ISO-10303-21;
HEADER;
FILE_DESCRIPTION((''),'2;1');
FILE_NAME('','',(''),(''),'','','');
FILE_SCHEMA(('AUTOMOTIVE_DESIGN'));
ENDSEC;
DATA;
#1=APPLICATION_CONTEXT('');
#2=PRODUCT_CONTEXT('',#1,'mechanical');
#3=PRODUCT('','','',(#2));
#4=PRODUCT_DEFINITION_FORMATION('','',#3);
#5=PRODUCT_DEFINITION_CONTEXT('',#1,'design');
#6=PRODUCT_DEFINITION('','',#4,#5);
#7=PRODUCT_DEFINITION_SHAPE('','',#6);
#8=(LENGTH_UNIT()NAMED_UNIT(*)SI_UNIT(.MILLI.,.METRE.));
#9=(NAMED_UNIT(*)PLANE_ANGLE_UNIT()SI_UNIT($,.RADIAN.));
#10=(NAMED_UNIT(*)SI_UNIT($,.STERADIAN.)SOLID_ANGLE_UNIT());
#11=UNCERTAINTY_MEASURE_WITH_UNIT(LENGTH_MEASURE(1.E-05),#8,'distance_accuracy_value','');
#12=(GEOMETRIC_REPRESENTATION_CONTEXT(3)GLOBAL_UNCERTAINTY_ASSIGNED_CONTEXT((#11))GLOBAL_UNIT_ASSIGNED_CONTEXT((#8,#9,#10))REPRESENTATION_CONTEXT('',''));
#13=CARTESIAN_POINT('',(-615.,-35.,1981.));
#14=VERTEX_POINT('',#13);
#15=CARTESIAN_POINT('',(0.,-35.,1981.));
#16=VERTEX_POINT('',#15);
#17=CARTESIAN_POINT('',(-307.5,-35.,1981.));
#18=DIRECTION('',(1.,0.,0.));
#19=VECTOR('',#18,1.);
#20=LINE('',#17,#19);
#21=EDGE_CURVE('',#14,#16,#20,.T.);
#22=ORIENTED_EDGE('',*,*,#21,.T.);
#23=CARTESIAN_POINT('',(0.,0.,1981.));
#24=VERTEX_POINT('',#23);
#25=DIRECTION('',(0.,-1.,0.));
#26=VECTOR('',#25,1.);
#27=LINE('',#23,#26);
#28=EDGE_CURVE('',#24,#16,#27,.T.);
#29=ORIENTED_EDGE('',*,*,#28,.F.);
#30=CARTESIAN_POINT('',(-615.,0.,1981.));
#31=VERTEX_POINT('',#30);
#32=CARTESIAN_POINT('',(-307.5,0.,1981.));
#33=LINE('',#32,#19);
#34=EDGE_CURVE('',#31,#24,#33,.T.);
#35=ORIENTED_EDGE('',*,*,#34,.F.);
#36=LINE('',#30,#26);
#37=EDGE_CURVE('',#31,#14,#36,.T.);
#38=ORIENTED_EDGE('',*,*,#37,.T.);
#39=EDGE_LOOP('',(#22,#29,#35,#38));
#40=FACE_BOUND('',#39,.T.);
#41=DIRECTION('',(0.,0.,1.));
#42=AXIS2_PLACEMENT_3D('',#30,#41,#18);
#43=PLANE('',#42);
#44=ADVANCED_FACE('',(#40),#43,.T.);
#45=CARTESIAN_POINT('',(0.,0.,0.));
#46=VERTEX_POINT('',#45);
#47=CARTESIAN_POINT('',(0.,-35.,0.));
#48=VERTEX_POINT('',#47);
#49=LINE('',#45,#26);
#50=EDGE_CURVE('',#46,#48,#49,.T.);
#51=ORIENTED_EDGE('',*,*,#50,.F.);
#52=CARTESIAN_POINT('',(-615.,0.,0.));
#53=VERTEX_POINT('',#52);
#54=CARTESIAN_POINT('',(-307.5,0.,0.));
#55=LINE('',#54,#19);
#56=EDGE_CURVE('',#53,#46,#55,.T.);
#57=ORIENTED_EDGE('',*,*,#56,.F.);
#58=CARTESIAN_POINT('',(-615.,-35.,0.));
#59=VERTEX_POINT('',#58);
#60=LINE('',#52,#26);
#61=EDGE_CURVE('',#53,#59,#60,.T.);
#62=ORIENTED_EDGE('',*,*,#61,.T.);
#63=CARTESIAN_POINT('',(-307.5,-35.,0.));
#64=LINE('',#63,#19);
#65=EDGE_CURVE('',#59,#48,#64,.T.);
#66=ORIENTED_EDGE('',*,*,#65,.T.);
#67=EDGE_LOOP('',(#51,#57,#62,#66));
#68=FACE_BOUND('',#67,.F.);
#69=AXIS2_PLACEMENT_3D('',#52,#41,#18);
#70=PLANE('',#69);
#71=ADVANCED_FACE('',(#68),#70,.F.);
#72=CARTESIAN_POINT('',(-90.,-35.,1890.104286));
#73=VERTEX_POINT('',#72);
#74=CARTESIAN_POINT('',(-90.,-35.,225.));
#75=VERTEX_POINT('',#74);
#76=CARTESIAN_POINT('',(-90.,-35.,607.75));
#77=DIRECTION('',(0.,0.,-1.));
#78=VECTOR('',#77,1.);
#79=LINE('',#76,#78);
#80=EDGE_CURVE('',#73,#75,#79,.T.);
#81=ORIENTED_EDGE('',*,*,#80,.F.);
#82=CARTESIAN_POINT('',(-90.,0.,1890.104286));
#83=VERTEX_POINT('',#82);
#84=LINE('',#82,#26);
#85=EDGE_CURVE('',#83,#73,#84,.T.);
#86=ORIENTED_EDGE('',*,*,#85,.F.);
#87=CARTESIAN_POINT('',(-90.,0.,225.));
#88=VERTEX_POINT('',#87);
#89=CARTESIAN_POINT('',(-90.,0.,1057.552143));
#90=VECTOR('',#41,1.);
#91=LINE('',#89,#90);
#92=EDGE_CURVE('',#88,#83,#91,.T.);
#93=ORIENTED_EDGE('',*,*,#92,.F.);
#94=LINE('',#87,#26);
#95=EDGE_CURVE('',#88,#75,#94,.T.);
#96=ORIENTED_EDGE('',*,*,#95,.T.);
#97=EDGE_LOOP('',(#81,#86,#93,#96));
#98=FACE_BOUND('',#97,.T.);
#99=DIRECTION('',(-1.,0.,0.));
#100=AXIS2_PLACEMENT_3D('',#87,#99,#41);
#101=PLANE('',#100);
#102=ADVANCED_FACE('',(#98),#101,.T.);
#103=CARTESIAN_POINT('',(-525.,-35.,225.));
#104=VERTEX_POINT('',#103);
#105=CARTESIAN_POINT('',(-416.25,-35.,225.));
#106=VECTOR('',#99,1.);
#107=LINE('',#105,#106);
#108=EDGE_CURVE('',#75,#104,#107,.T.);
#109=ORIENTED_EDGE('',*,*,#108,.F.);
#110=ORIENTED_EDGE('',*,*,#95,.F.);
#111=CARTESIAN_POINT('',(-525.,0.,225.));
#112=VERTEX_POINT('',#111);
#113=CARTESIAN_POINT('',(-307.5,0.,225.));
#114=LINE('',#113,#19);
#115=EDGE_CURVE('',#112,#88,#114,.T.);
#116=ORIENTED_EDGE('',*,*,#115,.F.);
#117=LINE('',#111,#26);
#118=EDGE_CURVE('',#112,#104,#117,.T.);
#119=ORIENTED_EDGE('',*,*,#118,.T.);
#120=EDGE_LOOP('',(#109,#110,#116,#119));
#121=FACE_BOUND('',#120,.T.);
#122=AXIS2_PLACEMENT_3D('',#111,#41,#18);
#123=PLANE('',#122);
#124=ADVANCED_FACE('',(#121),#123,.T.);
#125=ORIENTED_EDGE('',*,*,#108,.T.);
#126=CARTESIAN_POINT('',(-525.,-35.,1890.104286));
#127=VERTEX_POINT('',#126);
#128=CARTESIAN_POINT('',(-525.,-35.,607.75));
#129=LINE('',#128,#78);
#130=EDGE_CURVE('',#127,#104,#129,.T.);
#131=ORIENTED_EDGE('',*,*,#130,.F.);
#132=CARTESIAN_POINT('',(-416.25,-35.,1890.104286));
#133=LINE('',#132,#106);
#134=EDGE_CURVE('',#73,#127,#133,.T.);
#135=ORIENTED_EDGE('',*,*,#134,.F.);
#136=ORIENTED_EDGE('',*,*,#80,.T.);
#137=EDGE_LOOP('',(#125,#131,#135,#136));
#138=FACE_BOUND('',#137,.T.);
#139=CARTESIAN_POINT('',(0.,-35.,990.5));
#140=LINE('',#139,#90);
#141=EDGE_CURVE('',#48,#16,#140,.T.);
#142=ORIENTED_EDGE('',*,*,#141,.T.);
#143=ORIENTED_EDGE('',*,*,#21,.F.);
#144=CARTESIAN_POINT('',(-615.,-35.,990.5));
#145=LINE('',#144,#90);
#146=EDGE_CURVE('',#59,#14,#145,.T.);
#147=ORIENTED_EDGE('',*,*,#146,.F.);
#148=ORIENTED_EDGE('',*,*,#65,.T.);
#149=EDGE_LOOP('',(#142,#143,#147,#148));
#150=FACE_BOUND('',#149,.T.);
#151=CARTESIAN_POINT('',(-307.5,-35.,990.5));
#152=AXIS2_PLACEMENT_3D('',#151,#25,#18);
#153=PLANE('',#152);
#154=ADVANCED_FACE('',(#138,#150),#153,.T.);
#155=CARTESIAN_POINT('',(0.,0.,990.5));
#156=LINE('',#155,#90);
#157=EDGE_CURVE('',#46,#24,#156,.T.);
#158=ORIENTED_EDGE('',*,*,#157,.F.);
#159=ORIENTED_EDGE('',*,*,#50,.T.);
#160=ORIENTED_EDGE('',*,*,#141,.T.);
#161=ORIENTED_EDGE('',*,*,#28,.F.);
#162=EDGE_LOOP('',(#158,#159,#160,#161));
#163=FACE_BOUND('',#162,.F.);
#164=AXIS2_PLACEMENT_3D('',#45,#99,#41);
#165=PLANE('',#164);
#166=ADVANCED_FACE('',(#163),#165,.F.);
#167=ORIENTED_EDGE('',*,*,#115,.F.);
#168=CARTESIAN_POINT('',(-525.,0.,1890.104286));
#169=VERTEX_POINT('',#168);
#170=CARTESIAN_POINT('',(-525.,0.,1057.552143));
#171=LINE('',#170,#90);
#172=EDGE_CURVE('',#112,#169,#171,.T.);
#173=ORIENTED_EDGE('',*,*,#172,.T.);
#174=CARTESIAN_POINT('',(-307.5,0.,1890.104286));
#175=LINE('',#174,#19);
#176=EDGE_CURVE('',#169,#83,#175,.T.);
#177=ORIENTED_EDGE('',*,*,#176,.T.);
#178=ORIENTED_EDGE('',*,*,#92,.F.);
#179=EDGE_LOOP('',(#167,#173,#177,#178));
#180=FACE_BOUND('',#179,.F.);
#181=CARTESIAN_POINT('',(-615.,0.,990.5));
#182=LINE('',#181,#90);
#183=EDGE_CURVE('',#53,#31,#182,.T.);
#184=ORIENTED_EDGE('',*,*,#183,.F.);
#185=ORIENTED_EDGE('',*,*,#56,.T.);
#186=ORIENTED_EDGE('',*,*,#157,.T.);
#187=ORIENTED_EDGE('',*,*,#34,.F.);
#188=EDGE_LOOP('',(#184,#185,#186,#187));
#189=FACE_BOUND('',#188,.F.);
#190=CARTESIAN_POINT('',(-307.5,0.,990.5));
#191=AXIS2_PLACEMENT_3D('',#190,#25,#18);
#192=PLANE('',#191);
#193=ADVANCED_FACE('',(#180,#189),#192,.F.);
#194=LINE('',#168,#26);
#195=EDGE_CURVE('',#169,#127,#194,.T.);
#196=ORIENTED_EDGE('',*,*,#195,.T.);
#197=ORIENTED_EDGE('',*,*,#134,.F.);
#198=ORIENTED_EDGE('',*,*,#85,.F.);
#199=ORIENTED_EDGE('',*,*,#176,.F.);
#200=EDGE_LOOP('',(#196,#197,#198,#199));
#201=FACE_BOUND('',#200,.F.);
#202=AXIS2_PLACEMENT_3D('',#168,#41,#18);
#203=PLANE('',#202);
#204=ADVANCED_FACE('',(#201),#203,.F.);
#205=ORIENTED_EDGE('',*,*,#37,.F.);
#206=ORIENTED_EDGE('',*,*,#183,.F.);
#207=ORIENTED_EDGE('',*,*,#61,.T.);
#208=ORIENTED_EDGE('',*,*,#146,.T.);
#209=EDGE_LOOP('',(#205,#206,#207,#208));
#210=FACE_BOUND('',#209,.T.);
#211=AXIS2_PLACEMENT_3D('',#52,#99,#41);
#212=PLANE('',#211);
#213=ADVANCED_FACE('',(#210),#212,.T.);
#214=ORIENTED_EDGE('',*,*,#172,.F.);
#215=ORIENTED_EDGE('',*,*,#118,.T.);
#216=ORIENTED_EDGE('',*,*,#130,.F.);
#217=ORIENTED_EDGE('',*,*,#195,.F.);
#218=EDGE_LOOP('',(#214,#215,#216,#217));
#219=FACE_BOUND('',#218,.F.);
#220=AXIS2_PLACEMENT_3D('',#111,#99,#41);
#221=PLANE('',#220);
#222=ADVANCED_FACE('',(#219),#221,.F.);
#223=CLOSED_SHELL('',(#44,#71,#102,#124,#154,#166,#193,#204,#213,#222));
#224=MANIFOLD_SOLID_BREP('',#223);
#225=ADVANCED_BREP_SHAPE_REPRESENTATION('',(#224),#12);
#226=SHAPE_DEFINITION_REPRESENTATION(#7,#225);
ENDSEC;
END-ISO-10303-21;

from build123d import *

# Parameters (mm, degrees)
F0_W     = 615
F0_H     = 1981
F1_DEPTH = 35
F2_W     = 435
F2_H     = 1665.104286
F3_DEPTH = 35.001


with BuildPart() as f1:
    # F0 (on Front) → F1 (new body)
    with BuildSketch(Plane.XZ):
        with Locations((-307.5, 990.5)):
            Rectangle(F0_W, F0_H)
    extrude(amount=F1_DEPTH)

    # F2 (on face) → F3 (cut, through all)
    with BuildSketch(Plane.XZ):
        with Locations((-307.5, 1057.552143)):
            Rectangle(F2_W, F2_H)
    extrude(amount=F3_DEPTH, mode=Mode.SUBTRACT)


solid = f1.part
